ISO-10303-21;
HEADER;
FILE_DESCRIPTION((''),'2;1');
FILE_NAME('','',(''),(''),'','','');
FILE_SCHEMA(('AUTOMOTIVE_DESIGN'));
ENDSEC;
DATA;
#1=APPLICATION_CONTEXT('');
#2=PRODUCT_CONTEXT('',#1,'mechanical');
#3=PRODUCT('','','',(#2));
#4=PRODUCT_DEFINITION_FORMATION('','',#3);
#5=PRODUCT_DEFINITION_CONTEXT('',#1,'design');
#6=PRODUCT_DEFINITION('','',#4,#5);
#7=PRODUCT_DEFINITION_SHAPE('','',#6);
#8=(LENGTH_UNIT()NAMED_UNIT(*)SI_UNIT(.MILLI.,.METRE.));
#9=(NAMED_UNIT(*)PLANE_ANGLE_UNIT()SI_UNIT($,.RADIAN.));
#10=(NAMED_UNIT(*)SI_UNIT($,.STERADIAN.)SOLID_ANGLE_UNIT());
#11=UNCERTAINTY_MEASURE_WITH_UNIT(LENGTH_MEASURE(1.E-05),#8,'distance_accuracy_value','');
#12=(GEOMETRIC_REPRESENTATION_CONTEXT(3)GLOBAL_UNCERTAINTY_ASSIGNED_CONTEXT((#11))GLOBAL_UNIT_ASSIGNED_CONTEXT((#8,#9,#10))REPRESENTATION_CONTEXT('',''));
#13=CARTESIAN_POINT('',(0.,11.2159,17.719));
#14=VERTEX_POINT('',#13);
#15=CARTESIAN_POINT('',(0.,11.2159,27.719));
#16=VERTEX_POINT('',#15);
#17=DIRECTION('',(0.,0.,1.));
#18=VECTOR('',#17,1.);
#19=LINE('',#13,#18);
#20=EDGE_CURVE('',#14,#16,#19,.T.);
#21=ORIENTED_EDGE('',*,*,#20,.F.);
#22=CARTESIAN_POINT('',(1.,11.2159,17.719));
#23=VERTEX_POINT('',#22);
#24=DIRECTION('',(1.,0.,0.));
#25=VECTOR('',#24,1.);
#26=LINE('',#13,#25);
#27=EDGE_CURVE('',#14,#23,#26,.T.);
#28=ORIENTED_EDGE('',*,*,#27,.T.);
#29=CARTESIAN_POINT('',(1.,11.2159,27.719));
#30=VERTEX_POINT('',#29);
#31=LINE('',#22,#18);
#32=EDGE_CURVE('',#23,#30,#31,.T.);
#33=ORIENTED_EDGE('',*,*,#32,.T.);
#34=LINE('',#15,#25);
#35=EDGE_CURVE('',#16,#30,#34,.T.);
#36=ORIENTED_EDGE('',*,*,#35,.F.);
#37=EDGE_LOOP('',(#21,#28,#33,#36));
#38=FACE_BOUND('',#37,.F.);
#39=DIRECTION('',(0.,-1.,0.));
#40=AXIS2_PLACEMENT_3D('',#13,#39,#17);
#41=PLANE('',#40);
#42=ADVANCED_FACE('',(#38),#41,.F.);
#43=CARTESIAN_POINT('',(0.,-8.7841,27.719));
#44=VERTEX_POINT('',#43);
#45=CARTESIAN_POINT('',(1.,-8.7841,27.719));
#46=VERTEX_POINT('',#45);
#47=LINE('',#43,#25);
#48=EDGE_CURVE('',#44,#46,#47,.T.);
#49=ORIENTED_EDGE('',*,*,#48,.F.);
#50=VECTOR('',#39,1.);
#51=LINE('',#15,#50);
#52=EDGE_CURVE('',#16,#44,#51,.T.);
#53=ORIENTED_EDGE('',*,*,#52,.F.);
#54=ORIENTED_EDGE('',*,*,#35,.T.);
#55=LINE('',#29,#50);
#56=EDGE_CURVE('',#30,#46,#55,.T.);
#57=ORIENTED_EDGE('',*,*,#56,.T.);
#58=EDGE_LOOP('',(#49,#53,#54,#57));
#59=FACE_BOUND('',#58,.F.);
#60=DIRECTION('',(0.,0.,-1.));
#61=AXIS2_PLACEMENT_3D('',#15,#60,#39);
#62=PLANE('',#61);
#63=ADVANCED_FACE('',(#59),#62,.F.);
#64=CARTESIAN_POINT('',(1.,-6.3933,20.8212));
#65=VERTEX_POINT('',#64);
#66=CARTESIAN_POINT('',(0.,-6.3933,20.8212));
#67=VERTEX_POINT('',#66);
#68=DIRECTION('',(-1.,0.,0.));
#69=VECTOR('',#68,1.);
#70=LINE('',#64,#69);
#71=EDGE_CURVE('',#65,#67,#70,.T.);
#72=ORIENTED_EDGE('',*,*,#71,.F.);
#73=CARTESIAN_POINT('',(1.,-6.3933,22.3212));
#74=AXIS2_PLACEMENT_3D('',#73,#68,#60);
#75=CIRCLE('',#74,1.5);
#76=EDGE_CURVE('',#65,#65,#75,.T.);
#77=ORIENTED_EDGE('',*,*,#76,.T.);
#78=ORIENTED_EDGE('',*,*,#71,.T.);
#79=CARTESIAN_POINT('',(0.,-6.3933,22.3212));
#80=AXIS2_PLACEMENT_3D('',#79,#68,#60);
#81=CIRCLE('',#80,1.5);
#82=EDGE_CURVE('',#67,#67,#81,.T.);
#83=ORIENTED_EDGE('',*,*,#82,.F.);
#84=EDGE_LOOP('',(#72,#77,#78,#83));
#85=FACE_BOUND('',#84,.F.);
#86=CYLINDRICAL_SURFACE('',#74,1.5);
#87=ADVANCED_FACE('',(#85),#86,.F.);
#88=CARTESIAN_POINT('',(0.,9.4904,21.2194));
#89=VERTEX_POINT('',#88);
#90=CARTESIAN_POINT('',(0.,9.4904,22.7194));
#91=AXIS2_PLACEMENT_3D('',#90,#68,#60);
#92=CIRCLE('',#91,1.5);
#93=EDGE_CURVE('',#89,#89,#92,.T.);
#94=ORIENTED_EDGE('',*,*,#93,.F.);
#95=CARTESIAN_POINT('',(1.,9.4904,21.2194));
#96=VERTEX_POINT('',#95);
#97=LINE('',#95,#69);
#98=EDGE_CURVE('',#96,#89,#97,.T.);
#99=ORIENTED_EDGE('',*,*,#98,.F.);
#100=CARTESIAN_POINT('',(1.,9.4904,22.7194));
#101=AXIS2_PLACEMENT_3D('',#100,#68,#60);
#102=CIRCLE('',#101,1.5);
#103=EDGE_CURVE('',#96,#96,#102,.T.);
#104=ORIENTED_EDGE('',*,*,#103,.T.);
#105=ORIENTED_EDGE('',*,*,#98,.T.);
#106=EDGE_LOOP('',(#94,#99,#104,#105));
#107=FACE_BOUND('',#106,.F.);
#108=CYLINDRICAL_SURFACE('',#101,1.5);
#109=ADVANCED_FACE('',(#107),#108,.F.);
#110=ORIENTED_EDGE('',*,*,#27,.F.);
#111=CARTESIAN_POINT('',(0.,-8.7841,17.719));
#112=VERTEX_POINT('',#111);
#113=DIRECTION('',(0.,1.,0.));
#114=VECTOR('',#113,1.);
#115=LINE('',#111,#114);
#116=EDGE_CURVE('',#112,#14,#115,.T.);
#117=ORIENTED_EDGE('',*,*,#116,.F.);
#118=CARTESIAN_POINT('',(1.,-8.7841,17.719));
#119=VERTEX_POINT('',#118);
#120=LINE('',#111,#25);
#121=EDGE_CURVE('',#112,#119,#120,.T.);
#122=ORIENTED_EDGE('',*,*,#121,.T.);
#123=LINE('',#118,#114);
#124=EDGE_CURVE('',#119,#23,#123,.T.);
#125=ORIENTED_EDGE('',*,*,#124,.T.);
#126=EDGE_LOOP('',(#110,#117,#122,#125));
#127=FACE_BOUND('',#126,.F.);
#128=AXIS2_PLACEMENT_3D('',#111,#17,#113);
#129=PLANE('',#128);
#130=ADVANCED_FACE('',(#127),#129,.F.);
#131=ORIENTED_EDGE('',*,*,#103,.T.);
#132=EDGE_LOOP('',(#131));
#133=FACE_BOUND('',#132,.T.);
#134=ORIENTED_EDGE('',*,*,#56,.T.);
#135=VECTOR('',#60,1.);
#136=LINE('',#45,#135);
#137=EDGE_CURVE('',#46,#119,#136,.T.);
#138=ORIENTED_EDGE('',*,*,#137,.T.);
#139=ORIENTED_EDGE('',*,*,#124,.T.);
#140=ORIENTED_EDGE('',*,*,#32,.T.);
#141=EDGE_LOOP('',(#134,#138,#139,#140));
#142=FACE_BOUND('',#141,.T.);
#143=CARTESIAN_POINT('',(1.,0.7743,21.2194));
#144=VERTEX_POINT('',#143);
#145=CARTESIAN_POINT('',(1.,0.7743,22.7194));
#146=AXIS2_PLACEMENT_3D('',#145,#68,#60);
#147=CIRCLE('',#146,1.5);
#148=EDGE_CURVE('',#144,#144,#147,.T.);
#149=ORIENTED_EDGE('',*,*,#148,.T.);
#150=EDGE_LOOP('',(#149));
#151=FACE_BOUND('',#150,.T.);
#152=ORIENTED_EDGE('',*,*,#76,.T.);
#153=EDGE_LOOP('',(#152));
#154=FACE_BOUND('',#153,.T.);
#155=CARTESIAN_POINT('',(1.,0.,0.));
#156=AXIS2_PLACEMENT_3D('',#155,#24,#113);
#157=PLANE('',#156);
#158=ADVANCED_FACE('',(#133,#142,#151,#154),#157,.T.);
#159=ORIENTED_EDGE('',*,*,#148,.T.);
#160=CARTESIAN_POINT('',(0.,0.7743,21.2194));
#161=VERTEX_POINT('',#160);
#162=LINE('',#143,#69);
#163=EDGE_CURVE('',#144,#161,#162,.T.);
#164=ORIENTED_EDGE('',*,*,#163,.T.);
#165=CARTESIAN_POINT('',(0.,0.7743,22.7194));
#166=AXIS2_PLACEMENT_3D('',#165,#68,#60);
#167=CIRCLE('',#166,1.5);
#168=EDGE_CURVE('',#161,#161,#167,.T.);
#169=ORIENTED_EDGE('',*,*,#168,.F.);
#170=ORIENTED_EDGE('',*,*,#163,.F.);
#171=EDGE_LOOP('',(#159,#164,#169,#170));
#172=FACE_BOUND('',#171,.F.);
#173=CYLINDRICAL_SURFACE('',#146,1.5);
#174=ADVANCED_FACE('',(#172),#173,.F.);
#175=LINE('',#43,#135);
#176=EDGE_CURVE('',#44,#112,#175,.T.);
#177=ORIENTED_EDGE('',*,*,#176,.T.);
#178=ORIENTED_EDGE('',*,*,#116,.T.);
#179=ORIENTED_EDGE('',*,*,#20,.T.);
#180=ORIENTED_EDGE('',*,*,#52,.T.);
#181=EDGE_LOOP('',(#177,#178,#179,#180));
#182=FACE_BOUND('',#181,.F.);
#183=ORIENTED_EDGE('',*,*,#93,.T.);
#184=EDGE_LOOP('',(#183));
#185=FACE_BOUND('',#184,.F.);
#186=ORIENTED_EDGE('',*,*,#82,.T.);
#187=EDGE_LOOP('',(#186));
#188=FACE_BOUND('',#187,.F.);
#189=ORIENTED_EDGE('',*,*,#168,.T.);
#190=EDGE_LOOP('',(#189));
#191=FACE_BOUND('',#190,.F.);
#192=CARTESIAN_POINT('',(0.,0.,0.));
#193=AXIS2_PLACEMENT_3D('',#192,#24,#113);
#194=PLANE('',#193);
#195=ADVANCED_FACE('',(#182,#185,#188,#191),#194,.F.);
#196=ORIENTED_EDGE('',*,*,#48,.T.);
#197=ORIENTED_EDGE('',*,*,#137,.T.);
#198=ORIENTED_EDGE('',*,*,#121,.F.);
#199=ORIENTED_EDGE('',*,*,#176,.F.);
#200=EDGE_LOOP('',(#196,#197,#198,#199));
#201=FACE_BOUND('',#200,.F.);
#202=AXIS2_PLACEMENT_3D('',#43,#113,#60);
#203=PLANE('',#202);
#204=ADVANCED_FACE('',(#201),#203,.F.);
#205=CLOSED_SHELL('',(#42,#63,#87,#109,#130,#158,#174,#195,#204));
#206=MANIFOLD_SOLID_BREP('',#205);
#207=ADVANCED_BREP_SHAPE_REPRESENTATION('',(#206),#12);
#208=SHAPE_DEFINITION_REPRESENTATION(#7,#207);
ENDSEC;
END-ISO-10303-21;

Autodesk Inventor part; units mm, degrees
ref_plane "YZ Plane" through (0, 0, 0) normal (1, 0, 0) x (0, 1, 0)
ref_plane "XZ Plane" through (0, 0, 0) normal (0, 1, 0) x (-1, 0, 0)
ref_plane "XY Plane" through (0, 0, 0) normal (0, 0, 1) x (1, 0, 0)
sketch "Sketch1" plane through (0, 0, 0) normal (1, 0, 0) x (0, 1, 0)
  line L0 (11.2159, 27.719) -> (-8.7841, 27.719)
  line L1 (-8.7841, 27.719) -> (-8.7841, 17.719)
  line L2 (-8.7841, 17.719) -> (11.2159, 17.719)
  line L3 (11.2159, 17.719) -> (11.2159, 27.719)
  point P0 (0, 0)
  dimension "d0" = 20
  dimension "d1" = 10
extrude "Extrusion1" add sketch "Sketch1" along normal blind 1
sketch "Sketch2" plane through (1, 0, 0) normal (1, 0, 0) x (0, 0, -1)
  circle A0 centre (-22.7194, 9.4904) radius 1.5
  circle A1 centre (-22.7194, 0.7743) radius 1.5
  circle A2 centre (-22.3212, -6.3933) radius 1.5
  point P0 (0, 0)
  dimension "d4" = 3
  dimension "d5" = 3
  dimension "d6" = 3
hole "Hole1" at (1, 9.4904, 22.7194) at (1, -6.3933, 22.3212) at (1, 0.7743, 22.7194) direction (-1, 0, 0) diameter 3 end through all
equation "\"d7\" = d6"
properties part number "clamp"
